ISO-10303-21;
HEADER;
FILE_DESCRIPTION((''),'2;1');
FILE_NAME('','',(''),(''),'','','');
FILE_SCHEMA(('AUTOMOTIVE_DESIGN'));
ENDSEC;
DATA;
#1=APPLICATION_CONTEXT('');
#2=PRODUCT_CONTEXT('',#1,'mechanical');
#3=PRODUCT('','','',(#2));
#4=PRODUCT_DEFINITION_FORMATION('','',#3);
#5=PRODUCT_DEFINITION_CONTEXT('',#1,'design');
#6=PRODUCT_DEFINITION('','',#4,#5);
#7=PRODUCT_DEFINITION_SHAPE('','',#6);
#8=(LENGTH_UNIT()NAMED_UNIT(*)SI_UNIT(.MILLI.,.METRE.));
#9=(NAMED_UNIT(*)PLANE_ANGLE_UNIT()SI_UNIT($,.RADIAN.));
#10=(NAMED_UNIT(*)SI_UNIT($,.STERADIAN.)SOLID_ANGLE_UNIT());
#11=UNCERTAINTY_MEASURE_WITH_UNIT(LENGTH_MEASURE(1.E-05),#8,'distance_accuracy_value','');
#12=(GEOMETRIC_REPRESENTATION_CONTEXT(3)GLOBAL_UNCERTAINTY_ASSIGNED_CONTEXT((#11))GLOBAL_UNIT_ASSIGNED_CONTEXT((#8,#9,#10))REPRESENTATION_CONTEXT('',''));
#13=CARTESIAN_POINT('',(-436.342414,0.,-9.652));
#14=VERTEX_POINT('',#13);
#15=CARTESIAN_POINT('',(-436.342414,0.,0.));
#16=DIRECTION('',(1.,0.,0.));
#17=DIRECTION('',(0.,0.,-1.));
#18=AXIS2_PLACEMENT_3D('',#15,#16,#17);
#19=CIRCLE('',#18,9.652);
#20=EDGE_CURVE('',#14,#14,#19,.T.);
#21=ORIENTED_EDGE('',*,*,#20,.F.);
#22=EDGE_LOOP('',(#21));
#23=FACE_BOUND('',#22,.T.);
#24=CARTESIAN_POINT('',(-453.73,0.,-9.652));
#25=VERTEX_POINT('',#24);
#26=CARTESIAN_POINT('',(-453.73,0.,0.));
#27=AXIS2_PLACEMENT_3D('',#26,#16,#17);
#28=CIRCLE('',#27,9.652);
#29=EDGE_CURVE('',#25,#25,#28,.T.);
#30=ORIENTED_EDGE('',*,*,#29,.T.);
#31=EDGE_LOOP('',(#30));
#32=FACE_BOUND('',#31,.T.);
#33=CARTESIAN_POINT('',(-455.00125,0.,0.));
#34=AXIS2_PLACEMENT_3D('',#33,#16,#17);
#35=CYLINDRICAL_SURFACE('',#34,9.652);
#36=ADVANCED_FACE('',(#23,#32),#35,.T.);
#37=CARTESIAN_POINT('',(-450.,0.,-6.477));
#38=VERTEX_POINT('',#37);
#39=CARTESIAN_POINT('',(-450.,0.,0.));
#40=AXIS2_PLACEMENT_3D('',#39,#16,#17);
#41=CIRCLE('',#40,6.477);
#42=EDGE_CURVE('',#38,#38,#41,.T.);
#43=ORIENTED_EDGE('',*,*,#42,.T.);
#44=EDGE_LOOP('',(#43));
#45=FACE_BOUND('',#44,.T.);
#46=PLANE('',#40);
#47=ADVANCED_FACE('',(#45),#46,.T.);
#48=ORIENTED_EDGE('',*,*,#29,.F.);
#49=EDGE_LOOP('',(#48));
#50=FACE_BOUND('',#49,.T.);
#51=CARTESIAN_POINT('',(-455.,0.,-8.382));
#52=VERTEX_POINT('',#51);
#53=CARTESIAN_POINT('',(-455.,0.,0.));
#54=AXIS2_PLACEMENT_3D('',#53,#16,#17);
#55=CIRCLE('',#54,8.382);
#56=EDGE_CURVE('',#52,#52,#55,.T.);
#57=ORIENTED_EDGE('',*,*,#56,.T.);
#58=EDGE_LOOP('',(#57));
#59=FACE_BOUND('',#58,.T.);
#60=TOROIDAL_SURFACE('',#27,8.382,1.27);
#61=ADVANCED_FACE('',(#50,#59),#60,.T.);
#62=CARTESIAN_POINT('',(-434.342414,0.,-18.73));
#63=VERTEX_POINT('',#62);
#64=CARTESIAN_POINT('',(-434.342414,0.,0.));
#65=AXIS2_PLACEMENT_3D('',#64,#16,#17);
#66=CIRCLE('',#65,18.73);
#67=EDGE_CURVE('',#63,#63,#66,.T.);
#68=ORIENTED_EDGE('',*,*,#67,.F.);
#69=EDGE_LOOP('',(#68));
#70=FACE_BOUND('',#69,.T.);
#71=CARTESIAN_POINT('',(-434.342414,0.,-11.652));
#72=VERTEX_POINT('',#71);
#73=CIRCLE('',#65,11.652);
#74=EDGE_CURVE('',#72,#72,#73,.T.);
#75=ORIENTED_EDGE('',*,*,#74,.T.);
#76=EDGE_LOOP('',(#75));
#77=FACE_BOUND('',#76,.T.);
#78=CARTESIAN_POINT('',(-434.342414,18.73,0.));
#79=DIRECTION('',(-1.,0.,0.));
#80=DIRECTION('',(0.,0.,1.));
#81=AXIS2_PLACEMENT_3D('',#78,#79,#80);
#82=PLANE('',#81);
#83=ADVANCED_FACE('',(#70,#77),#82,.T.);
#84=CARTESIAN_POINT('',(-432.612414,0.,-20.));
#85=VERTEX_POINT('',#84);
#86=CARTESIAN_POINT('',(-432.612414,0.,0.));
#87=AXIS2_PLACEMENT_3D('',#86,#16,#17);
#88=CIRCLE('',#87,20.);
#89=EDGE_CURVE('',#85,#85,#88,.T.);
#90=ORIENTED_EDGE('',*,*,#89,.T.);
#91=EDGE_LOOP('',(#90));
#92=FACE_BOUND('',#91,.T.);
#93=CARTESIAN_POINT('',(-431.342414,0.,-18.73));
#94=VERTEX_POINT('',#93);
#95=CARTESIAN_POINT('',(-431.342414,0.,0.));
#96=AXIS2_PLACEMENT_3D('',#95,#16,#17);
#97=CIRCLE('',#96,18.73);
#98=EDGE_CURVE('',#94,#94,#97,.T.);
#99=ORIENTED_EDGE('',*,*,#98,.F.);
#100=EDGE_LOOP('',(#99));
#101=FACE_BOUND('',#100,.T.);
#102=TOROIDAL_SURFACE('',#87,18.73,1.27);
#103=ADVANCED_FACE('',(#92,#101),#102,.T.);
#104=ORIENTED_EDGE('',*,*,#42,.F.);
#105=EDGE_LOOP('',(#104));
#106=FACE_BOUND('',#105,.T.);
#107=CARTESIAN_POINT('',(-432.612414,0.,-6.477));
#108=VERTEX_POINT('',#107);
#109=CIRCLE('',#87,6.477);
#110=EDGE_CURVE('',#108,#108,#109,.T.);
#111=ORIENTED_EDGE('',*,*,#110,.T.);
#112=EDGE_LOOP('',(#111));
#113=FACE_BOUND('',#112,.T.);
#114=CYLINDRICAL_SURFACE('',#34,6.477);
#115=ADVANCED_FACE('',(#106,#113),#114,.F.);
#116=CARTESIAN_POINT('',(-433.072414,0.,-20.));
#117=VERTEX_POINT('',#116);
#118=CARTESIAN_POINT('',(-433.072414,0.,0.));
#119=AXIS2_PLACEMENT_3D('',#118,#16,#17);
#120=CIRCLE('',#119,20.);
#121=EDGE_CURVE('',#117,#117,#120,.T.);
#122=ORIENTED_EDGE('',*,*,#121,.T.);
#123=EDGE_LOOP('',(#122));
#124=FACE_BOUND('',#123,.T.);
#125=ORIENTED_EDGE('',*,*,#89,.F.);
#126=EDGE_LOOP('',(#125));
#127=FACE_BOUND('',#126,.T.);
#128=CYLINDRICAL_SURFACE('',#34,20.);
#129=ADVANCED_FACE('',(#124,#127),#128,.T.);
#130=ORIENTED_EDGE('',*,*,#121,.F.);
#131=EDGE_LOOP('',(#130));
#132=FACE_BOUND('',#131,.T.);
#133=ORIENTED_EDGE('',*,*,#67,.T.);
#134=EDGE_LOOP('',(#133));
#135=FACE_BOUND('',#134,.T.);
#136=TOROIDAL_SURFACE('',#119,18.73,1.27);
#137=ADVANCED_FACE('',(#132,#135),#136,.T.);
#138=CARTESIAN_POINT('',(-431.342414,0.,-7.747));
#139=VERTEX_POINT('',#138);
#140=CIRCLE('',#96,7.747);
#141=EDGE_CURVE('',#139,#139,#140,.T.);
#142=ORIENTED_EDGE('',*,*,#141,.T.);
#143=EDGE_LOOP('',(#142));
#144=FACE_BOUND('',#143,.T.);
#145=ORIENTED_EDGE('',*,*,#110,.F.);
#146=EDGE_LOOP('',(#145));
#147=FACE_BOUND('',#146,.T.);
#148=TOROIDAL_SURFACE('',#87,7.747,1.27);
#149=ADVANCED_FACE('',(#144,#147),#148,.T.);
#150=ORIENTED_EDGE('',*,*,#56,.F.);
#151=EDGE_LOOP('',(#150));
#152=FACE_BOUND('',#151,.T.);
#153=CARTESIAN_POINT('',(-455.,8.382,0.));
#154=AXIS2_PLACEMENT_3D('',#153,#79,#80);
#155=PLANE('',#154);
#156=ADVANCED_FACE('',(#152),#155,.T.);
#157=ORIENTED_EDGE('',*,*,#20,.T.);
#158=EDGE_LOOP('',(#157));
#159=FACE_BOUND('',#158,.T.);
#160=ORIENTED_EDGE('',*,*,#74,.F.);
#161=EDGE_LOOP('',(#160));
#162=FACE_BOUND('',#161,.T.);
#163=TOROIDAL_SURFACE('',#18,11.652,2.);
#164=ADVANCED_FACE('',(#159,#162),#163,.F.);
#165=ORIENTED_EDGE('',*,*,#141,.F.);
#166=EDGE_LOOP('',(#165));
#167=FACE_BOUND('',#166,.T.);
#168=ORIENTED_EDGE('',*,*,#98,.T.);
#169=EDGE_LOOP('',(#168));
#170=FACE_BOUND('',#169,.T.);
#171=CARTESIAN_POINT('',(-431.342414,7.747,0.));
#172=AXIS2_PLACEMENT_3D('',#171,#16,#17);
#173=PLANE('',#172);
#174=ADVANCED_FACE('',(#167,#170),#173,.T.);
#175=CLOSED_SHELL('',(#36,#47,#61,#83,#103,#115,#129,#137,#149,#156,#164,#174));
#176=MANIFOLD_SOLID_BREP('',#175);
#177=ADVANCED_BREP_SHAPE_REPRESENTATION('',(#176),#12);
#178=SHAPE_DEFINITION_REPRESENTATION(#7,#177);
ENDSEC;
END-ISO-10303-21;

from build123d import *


with BuildPart() as part:
    # 草图1 → 旋转1 (revolve)
    with BuildSketch(Plane.XY):
        with BuildLine():
            Line((-455, 8.382), (-455, 0))
            Line((-455, 0), (-450, 0))
            Line((-450, 0), (-450, 6.477))
            Line((-450, 6.477), (-432.612413979, 6.477))
            ThreePointArc((-432.612413979, 6.477), (-431.714388367, 6.848974388), (-431.342413979, 7.747))
            Line((-431.342413979, 7.747), (-431.342413979, 18.73))
            ThreePointArc((-431.342413979, 18.73), (-431.714388367, 19.628025612), (-432.612413979, 20))
            Line((-432.612413979, 20), (-433.072413979, 20))
            ThreePointArc((-433.072413979, 20), (-433.970439591, 19.628025612), (-434.342413979, 18.73))
            Line((-434.342413979, 18.73), (-434.342413979, 11.652))
            ThreePointArc((-434.342413979, 11.652), (-434.928200417, 10.237786438), (-436.342413979, 9.652))
            Line((-436.342413979, 9.652), (-453.73, 9.652))
            ThreePointArc((-453.73, 9.652), (-454.628025612, 9.280025612), (-455, 8.382))
        make_face()
    revolve(axis=Axis((-455.001250002, 0, 0), (1, 0, 0)))


solid = part.part
